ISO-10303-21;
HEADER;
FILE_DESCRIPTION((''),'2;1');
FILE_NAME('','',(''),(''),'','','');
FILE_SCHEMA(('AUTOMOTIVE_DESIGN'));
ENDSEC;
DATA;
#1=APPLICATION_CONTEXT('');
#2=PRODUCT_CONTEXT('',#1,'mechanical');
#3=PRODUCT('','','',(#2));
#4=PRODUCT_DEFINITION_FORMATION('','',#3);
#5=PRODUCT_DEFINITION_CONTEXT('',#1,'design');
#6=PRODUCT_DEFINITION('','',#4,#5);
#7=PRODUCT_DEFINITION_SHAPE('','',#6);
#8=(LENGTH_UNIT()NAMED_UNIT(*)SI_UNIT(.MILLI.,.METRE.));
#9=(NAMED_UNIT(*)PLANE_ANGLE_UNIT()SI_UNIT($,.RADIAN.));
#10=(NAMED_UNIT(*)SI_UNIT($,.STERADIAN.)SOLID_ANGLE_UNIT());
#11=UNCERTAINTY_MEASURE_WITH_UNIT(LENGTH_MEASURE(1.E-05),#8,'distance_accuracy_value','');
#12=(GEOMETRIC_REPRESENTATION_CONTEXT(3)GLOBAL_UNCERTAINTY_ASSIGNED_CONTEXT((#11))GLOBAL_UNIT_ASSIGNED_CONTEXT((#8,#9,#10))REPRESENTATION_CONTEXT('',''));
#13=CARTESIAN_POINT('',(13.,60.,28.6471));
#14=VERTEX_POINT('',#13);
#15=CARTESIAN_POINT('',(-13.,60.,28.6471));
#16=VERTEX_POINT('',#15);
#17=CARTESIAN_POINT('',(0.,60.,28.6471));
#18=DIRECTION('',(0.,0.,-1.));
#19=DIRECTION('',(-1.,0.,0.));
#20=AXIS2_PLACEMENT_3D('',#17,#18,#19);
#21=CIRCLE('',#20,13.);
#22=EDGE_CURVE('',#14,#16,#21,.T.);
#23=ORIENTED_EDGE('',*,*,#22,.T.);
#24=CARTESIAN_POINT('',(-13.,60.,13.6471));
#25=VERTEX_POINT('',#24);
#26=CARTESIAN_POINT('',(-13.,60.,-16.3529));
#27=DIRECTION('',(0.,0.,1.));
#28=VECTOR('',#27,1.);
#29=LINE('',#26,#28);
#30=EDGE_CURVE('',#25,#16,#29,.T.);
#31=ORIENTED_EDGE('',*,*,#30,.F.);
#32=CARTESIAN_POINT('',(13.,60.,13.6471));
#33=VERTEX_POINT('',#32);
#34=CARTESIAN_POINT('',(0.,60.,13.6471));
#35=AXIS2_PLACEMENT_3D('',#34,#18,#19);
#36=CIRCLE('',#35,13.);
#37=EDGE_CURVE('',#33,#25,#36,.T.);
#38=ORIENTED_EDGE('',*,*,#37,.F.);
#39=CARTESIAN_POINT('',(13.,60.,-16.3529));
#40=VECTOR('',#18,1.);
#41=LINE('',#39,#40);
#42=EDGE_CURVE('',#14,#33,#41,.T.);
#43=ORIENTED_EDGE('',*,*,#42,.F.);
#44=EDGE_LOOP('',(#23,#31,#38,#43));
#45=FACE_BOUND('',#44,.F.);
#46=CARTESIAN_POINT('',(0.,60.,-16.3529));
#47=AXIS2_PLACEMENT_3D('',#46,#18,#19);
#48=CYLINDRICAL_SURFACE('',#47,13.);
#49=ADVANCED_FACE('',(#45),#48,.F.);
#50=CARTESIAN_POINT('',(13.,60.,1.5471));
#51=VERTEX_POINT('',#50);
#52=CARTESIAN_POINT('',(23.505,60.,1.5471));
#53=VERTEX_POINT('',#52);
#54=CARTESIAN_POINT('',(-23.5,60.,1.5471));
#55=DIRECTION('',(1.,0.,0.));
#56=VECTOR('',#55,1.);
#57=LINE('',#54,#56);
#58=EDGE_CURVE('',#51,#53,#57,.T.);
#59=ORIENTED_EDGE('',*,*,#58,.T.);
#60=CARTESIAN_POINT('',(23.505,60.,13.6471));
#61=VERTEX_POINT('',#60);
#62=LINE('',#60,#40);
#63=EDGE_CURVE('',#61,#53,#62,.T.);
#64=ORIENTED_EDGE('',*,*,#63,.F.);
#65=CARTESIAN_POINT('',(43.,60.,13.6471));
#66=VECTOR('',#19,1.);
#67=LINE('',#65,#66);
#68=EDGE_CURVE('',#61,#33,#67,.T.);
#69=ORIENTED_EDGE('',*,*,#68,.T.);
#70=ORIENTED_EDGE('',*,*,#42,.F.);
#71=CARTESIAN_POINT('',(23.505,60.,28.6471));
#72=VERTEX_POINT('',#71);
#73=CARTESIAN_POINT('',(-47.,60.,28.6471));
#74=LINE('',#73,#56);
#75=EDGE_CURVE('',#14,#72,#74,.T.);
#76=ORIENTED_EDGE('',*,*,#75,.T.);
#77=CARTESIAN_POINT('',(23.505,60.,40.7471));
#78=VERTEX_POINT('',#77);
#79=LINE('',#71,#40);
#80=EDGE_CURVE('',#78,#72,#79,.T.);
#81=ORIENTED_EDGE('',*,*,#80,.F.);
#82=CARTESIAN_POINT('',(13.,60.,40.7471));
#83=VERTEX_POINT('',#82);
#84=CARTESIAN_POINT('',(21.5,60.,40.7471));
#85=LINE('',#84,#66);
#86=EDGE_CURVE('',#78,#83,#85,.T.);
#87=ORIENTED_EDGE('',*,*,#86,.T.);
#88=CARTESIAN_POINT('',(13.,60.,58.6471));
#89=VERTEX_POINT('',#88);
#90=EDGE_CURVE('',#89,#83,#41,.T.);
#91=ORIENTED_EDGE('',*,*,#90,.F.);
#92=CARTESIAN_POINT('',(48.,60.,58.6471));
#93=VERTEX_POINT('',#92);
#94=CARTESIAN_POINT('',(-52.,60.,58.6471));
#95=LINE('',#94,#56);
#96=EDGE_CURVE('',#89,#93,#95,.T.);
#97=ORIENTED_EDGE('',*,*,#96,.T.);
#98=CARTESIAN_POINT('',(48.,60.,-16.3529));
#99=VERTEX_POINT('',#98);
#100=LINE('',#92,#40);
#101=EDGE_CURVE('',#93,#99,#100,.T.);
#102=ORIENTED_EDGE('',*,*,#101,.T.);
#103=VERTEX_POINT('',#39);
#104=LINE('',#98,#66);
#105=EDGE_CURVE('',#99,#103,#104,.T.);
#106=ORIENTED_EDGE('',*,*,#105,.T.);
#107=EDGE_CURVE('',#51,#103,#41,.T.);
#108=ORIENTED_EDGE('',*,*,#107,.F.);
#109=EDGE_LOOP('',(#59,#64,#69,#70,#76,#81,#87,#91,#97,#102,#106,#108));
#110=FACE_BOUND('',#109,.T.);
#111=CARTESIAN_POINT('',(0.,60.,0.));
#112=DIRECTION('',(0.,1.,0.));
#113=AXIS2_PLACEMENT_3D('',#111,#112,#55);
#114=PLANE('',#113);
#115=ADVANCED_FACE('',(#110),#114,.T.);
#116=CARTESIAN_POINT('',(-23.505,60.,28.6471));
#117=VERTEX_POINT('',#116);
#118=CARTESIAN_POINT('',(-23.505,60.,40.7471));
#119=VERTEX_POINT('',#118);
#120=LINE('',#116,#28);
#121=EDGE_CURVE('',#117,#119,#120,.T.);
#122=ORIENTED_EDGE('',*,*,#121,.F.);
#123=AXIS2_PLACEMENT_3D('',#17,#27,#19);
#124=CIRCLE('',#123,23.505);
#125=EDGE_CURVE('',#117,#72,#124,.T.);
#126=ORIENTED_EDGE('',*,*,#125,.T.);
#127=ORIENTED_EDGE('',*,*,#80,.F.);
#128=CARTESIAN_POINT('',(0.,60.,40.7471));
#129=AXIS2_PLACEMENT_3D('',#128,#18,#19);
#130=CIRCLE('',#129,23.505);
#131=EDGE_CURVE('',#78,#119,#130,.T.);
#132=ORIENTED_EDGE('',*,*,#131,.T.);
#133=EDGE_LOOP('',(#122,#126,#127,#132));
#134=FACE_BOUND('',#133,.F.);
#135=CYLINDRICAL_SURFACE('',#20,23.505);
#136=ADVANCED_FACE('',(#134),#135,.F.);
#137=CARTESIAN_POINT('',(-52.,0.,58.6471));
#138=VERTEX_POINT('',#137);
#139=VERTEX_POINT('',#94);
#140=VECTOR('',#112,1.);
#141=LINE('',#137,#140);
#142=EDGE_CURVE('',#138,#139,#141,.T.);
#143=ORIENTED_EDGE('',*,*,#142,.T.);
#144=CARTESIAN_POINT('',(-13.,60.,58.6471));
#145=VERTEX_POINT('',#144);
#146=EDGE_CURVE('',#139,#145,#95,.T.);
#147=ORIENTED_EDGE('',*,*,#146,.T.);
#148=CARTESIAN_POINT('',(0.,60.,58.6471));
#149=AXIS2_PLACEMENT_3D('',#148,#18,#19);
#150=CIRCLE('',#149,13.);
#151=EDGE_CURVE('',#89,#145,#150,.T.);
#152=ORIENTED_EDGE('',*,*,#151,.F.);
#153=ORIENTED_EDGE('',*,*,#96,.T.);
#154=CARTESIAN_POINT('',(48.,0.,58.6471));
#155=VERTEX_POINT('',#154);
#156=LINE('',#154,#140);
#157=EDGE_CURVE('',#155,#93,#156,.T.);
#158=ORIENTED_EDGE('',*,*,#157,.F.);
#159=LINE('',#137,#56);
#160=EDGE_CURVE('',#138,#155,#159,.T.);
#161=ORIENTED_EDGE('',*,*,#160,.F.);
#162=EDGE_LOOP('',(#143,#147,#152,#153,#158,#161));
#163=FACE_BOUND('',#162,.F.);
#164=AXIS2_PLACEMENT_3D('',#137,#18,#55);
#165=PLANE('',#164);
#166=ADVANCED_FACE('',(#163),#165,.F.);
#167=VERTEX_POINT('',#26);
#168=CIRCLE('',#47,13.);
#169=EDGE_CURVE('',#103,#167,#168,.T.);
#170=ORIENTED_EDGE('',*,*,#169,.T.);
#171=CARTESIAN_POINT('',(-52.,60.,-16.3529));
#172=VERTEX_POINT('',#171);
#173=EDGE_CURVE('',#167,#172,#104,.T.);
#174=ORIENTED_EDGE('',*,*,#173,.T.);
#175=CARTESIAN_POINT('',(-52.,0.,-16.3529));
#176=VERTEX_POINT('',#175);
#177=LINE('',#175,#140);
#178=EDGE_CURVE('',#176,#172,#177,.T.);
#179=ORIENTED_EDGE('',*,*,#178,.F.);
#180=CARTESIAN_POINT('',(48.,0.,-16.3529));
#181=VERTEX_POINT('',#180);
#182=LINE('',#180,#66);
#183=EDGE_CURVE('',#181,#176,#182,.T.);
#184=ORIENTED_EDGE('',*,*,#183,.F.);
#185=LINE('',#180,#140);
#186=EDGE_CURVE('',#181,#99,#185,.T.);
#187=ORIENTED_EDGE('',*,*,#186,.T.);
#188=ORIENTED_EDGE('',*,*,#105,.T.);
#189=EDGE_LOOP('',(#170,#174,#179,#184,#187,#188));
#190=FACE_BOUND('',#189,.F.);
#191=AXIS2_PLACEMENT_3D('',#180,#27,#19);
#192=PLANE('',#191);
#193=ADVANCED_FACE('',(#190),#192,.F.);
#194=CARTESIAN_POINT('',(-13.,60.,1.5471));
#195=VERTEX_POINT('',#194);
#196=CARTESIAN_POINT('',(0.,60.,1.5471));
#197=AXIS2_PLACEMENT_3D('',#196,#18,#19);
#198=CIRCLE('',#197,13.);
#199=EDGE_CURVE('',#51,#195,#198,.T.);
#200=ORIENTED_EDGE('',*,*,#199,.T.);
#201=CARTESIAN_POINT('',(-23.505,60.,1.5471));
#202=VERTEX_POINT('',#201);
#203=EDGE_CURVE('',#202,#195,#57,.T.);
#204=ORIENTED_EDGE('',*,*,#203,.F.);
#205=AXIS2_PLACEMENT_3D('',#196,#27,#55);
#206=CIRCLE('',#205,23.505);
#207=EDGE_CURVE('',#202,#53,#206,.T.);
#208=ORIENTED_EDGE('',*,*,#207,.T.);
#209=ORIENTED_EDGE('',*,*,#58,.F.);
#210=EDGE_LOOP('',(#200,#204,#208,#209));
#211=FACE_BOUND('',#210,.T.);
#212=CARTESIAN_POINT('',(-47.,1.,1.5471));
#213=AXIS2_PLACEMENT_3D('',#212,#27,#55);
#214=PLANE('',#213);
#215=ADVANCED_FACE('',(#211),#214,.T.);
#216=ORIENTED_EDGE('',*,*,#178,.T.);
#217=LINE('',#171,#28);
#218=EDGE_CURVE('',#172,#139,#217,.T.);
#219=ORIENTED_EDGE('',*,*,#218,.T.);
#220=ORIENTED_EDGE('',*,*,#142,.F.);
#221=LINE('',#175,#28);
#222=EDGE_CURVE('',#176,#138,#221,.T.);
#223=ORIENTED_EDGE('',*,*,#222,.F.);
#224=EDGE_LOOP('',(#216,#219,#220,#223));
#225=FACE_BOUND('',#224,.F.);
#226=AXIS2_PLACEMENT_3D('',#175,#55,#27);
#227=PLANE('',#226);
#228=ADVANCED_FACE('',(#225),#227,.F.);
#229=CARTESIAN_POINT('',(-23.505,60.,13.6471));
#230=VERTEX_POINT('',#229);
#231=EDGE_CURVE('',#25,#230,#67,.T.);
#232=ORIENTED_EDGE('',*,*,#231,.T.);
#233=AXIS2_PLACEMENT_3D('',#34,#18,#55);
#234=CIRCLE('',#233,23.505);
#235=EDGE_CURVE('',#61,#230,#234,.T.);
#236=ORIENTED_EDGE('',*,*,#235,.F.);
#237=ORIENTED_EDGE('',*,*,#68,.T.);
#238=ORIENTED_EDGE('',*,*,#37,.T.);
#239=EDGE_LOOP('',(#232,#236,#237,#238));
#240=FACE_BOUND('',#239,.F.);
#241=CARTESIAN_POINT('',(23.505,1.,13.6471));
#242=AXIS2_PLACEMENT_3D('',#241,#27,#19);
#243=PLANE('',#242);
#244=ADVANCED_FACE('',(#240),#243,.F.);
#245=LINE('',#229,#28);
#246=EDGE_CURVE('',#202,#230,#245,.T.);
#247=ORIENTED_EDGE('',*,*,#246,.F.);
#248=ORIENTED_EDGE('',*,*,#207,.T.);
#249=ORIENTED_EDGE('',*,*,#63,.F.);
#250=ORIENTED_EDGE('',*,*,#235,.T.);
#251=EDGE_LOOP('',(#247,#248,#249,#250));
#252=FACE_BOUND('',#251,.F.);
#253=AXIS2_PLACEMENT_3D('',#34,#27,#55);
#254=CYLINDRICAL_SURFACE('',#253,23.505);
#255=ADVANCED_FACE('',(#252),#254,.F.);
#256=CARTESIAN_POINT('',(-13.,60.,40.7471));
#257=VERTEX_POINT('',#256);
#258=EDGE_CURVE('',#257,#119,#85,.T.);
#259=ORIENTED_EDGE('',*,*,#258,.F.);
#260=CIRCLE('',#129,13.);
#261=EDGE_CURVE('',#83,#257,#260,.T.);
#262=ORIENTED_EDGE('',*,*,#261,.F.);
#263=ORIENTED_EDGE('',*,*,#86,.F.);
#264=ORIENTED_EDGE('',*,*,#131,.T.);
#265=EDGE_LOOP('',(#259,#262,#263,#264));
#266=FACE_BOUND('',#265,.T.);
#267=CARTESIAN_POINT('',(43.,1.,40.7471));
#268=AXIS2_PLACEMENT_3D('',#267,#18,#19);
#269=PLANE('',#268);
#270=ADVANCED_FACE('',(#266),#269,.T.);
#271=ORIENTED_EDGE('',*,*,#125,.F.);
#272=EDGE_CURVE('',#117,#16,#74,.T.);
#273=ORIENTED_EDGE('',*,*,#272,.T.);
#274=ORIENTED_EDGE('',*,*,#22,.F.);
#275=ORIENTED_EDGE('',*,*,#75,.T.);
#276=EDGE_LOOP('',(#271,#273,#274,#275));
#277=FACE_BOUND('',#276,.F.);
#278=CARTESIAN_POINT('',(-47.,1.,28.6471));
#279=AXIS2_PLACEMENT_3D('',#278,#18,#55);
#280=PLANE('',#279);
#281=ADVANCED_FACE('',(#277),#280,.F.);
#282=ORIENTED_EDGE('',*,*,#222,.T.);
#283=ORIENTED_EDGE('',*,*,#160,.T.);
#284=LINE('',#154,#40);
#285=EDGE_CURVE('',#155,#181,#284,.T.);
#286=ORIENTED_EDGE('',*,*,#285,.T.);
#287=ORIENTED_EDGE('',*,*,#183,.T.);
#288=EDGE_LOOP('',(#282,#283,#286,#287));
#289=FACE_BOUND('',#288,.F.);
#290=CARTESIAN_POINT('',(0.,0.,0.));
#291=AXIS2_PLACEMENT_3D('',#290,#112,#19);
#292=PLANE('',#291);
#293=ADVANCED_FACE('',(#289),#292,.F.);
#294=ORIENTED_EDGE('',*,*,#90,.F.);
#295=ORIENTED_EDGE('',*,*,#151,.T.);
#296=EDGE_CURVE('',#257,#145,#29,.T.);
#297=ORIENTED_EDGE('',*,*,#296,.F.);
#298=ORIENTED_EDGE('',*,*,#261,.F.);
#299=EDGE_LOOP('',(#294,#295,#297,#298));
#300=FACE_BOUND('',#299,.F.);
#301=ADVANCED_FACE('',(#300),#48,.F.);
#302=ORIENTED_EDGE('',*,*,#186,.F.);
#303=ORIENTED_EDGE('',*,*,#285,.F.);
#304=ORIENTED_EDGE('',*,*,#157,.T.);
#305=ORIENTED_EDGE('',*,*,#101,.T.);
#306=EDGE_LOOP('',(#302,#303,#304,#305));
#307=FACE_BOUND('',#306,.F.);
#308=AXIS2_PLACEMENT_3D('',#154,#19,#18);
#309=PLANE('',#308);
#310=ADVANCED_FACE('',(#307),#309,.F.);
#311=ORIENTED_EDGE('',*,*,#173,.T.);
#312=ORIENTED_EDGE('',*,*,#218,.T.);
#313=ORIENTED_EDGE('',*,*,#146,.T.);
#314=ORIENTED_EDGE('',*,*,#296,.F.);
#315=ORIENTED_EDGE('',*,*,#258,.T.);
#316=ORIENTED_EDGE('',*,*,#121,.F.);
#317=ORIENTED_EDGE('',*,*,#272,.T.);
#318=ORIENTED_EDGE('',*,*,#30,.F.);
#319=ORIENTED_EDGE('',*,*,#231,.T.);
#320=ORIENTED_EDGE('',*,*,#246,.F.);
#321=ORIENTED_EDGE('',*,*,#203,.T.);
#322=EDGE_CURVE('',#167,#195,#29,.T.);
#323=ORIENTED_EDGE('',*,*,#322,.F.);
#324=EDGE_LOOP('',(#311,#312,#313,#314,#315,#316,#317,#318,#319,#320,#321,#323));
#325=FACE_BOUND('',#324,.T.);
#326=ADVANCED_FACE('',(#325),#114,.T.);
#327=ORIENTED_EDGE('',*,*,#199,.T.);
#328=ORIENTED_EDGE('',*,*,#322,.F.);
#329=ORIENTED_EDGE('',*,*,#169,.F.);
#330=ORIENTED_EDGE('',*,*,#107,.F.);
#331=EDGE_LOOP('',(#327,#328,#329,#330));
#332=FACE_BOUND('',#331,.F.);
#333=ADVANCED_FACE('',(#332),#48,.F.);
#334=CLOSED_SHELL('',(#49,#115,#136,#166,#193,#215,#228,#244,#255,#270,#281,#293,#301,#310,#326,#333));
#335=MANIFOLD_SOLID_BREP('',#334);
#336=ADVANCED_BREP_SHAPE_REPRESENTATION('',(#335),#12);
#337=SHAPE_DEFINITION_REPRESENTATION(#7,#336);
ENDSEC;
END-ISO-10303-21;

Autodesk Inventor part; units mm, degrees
ref_plane "YZ Plane" through (0, 0, 0) normal (1, 0, 0) x (0, 1, 0)
ref_plane "XZ Plane" through (0, 0, 0) normal (0, 1, 0) x (-1, 0, 0)
ref_plane "XY Plane" through (0, 0, 0) normal (0, 0, 1) x (1, 0, 0)
sketch "Sketch1" plane through (0, 0, 0) normal (0, 1, 0) x (-1, 0, 0)
  line L0 (52, 58.6471) -> (-48, 58.6471)
  line L1 (-48, 58.6471) -> (-48, -16.3529)
  line L2 (-48, -16.3529) -> (52, -16.3529)
  line L3 (52, -16.3529) -> (52, 58.6471)
  point P0 (0, 0)
  dimension "d0" = 100
  dimension "d1" = 75
extrude "Extrusion1" add sketch "Sketch1" along normal blind 60
sketch "Sketch2" plane through (0, 60, 0) normal (0, 1, 0) x (1, 0, 0)
  line L0 (-47, -53.6471) -> (43, -53.6471)
  line L1 (43, -53.6471) -> (43, 11.3529)
  line L2 (43, 11.3529) -> (-47, 11.3529)
  line L3 (-47, 11.3529) -> (-47, -53.6471)
  line L4 (-52, 16.3529) -> (-52, -58.6471) projected
  line L5 (-52, -58.6471) -> (48, -58.6471) projected
  line L6 (48, 16.3529) -> (-52, 16.3529) projected
  line L7 (48, -58.6471) -> (48, 16.3529) projected
  point P0 (0, 0)
  dimension "d4" = 5
  dimension "d5" = 5
  dimension "d6" = 5
  dimension "d7" = 5
extrude "Extrusion2" cut sketch "Sketch2" against normal blind 59 contours L3 L2 L1 L0
sketch "Sketch3" plane through (48, 0, -16.3529) normal (0, 0, -1) x (-1, 0, 0)
  circle A0 centre (48, 60) radius 13
  point P0 (48, 0)
  dimension "d10" = 26
  dimension "d11" = 60
sketch "Sketch13" plane through (0, 1, 0) normal (0, 1, 0) x (1, 0, 0)
  line L0 (-47, -53.6471) -> (-47, 11.3529) projected
  line L1 (43, 11.3529) -> (43, -53.6471) projected
  line L2 (-47, 11.3529) -> (43, 11.3529)
  line L3 (43, 11.3529) -> (43, -13.6471)
  line L4 (43, -13.6471) -> (-47, -13.6471)
  line L5 (-47, -13.6471) -> (-47, 11.3529)
  point P0 (0, 0)
  dimension "d44" = 25
extrude "Extrusion14" add sketch "Sketch13" along normal blind 59
sketch "Sketch14" plane through (-47, 1, 13.6471) normal (0, 0, 1) x (1, 0, 0)
  line L0 (0, 59) -> (90, 59) projected
  circle A0 centre (47, 59) radius 23.505
  point P0 (47, -1)
  dimension "d47" = 47.01
extrude "Extrusion15" cut sketch "Sketch14" against normal blind 12.1
sketch "Sketch15" plane through (0, 1, 0) normal (0, 1, 0) x (1, 0, 0)
  line L0 (-47, -53.6471) -> (-47, -13.6471) projected
  line L1 (43, -13.6471) -> (43, -53.6471) projected
  line L2 (-47, -53.6471) -> (43, -53.6471)
  line L3 (43, -53.6471) -> (43, -28.6471)
  line L4 (43, -28.6471) -> (-47, -28.6471)
  line L5 (-47, -28.6471) -> (-47, -53.6471)
  point P0 (0, 0)
  point P1 (-47, -28.6471)
  dimension "d50" = 25
extrude "Extrusion16" add sketch "Sketch15" along normal blind 59
sketch "Sketch16" plane through (43, 1, 28.6471) normal (0, 0, -1) x (-1, 0, 0)
  line L0 (0, 59) -> (90, 59) projected
  circle A0 centre (43, 59) radius 23.505
  point P0 (43, -1)
  dimension "d53" = 47.01
extrude "Extrusion17" cut sketch "Sketch16" against normal blind 12.1
sketch "Sketch17" plane through (0, 1, 0) normal (0, 1, 0) x (1, 0, 0)
  line L0 (23.505, -13.6471) -> (43, -13.6471) projected
  line L1 (-47, -28.6471) -> (43, -28.6471)
  line L2 (43, -28.6471) -> (43, -13.6471)
  line L3 (43, -13.6471) -> (-47, -13.6471)
  line L4 (-47, -13.6471) -> (-47, -28.6471)
  point P0 (0, 0)
extrude "Extrusion18" add sketch "Sketch17" along normal blind 59
extrude "Extrusion19" cut sketch "Sketch3" against normal blind 75
equation "\"d6\" = d5"
equation "\"d7\" = d4"
properties part number "new_box_bottom"
